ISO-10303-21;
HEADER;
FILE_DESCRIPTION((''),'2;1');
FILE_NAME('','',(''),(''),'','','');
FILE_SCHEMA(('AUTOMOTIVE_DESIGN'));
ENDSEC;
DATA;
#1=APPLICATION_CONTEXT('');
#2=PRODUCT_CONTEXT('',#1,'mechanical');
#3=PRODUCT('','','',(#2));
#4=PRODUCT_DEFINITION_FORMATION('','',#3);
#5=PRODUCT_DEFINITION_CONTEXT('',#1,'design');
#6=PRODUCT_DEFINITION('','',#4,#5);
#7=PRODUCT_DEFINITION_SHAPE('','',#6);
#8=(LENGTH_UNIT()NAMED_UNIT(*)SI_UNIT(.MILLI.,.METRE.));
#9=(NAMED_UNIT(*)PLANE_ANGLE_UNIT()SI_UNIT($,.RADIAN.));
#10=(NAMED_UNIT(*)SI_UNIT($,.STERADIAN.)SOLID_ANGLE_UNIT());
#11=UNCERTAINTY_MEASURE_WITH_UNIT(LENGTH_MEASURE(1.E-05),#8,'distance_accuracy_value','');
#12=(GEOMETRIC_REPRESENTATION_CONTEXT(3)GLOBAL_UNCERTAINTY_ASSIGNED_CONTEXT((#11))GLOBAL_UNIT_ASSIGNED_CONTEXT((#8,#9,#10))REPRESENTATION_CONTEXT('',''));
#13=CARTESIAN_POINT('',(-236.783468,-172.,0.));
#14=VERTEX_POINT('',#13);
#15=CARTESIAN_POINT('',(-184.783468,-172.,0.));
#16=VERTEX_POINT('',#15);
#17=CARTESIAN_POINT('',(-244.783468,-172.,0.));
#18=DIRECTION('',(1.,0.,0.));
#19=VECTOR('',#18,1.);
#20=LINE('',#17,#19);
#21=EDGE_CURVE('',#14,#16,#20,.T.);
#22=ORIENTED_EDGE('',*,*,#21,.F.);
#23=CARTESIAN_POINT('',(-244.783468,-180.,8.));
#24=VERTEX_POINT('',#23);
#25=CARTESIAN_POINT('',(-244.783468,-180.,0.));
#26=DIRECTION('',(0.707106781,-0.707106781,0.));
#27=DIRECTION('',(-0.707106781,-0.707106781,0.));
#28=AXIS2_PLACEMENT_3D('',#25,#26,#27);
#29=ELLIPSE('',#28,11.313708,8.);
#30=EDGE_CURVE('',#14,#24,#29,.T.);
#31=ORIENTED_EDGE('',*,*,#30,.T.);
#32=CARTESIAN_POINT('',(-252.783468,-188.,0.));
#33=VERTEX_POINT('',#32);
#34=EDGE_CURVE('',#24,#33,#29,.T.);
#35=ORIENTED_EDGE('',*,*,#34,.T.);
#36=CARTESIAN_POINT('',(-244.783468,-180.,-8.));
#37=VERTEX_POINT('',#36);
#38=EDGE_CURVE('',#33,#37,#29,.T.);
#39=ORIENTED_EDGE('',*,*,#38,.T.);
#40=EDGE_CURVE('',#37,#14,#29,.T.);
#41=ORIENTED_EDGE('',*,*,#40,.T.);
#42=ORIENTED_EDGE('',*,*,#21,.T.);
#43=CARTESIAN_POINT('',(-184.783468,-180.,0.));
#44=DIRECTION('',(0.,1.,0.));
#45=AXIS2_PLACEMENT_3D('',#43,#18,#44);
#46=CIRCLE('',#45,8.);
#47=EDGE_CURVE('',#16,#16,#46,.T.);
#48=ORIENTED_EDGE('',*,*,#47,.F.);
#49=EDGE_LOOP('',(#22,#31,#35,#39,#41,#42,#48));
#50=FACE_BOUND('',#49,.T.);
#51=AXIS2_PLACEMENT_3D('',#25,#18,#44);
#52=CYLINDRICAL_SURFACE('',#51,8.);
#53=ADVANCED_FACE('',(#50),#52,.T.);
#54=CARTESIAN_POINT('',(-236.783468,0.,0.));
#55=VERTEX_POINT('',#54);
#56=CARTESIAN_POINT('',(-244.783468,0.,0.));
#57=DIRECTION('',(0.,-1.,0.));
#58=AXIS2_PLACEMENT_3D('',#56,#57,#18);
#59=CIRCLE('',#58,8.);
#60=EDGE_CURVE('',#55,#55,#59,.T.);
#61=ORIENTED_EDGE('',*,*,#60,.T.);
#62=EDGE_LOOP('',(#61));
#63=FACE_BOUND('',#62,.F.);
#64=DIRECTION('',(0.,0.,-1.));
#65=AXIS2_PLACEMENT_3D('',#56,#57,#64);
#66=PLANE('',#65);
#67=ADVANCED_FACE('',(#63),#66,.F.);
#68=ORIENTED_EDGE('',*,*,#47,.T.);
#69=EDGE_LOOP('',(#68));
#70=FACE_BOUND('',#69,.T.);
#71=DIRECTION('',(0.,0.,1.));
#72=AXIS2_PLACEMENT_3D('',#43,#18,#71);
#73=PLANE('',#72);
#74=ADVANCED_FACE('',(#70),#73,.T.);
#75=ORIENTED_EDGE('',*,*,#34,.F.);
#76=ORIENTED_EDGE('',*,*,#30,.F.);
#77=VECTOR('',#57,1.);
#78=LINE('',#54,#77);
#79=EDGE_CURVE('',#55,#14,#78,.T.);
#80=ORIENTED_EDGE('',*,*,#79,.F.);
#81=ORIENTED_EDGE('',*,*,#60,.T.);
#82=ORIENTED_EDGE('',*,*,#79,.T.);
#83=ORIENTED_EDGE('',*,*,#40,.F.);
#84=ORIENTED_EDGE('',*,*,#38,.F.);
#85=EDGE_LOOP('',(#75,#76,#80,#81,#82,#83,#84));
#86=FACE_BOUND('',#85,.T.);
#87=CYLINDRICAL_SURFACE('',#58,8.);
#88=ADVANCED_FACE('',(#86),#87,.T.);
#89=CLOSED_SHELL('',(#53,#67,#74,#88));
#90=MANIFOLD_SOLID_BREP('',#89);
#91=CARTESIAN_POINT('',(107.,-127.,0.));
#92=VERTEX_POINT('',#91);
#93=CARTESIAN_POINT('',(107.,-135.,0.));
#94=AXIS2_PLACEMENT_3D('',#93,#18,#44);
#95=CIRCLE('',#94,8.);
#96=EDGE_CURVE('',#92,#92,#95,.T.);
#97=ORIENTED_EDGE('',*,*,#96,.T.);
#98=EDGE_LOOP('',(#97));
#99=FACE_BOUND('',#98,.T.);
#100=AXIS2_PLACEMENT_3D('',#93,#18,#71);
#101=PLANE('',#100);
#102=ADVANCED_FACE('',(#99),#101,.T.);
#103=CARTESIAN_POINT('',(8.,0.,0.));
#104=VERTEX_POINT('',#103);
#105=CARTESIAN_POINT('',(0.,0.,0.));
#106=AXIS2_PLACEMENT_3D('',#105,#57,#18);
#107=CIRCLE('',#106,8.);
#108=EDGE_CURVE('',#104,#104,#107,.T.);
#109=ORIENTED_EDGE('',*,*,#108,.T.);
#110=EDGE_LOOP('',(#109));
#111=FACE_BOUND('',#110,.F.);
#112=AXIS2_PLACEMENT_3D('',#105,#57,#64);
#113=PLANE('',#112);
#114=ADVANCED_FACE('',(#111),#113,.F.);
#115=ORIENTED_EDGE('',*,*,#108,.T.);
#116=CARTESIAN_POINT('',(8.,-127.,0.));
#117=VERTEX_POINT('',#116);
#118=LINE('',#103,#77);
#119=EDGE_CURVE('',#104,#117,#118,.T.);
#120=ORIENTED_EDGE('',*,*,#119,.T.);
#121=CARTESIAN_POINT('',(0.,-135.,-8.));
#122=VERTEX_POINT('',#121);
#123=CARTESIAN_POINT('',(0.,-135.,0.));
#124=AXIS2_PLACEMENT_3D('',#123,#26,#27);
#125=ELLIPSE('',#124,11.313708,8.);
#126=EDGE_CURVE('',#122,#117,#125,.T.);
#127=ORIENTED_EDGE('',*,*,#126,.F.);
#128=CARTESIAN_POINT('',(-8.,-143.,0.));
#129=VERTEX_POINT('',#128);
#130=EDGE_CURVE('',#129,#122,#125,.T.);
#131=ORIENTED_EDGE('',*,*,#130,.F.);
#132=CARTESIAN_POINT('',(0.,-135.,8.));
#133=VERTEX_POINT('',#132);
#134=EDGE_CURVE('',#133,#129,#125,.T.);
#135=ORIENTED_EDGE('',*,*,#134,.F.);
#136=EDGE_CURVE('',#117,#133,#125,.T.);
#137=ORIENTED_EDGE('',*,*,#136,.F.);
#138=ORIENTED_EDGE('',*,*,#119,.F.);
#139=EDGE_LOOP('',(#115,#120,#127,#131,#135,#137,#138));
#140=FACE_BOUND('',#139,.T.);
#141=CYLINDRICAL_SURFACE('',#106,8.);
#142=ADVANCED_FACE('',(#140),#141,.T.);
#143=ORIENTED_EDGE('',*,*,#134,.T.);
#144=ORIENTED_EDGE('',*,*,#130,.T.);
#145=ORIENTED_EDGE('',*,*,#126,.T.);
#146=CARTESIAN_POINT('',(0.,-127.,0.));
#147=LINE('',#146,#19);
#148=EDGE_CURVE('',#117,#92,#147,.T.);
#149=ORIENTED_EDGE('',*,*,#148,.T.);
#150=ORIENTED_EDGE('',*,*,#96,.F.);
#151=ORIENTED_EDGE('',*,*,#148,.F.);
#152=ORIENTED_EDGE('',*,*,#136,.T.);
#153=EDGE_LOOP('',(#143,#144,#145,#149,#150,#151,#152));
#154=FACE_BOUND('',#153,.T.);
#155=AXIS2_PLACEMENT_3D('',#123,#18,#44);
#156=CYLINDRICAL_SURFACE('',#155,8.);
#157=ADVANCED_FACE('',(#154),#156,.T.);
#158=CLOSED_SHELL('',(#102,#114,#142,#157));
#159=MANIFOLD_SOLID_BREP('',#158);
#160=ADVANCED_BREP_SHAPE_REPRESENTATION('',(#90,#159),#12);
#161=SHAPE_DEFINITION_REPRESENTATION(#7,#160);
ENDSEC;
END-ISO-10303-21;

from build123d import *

# Parameters (mm, degrees)
F1_R = 8
F4_R = 8


with BuildPart() as f2:
    # F2: sweep along a path in F0
    with BuildLine(Plane.XY) as f2_path:
        Line((0, 0), (0, -135))
        Line((0, -135), (107, -135))
    # F1 (on Front) → F2 (sweep)
    with BuildSketch(Plane.XZ):
        Circle(F1_R)
    sweep(path=f2_path.line, transition=Transition.RIGHT)


with BuildPart() as f5:
    # F5: sweep along a path in F3
    with BuildLine(Plane.XY) as f5_path:
        Line((-244.7834680786, 0), (-244.7834680786, -180))
        Line((-244.7834680786, -180), (-184.7834680786, -180))
    # F4 (on Front) → F5 (sweep)
    with BuildSketch(Plane.XZ):
        with Locations((-244.7834680786, 0)):
            Circle(F4_R)
    sweep(path=f5_path.line, transition=Transition.RIGHT)


solid = Compound([f2.part, f5.part])
